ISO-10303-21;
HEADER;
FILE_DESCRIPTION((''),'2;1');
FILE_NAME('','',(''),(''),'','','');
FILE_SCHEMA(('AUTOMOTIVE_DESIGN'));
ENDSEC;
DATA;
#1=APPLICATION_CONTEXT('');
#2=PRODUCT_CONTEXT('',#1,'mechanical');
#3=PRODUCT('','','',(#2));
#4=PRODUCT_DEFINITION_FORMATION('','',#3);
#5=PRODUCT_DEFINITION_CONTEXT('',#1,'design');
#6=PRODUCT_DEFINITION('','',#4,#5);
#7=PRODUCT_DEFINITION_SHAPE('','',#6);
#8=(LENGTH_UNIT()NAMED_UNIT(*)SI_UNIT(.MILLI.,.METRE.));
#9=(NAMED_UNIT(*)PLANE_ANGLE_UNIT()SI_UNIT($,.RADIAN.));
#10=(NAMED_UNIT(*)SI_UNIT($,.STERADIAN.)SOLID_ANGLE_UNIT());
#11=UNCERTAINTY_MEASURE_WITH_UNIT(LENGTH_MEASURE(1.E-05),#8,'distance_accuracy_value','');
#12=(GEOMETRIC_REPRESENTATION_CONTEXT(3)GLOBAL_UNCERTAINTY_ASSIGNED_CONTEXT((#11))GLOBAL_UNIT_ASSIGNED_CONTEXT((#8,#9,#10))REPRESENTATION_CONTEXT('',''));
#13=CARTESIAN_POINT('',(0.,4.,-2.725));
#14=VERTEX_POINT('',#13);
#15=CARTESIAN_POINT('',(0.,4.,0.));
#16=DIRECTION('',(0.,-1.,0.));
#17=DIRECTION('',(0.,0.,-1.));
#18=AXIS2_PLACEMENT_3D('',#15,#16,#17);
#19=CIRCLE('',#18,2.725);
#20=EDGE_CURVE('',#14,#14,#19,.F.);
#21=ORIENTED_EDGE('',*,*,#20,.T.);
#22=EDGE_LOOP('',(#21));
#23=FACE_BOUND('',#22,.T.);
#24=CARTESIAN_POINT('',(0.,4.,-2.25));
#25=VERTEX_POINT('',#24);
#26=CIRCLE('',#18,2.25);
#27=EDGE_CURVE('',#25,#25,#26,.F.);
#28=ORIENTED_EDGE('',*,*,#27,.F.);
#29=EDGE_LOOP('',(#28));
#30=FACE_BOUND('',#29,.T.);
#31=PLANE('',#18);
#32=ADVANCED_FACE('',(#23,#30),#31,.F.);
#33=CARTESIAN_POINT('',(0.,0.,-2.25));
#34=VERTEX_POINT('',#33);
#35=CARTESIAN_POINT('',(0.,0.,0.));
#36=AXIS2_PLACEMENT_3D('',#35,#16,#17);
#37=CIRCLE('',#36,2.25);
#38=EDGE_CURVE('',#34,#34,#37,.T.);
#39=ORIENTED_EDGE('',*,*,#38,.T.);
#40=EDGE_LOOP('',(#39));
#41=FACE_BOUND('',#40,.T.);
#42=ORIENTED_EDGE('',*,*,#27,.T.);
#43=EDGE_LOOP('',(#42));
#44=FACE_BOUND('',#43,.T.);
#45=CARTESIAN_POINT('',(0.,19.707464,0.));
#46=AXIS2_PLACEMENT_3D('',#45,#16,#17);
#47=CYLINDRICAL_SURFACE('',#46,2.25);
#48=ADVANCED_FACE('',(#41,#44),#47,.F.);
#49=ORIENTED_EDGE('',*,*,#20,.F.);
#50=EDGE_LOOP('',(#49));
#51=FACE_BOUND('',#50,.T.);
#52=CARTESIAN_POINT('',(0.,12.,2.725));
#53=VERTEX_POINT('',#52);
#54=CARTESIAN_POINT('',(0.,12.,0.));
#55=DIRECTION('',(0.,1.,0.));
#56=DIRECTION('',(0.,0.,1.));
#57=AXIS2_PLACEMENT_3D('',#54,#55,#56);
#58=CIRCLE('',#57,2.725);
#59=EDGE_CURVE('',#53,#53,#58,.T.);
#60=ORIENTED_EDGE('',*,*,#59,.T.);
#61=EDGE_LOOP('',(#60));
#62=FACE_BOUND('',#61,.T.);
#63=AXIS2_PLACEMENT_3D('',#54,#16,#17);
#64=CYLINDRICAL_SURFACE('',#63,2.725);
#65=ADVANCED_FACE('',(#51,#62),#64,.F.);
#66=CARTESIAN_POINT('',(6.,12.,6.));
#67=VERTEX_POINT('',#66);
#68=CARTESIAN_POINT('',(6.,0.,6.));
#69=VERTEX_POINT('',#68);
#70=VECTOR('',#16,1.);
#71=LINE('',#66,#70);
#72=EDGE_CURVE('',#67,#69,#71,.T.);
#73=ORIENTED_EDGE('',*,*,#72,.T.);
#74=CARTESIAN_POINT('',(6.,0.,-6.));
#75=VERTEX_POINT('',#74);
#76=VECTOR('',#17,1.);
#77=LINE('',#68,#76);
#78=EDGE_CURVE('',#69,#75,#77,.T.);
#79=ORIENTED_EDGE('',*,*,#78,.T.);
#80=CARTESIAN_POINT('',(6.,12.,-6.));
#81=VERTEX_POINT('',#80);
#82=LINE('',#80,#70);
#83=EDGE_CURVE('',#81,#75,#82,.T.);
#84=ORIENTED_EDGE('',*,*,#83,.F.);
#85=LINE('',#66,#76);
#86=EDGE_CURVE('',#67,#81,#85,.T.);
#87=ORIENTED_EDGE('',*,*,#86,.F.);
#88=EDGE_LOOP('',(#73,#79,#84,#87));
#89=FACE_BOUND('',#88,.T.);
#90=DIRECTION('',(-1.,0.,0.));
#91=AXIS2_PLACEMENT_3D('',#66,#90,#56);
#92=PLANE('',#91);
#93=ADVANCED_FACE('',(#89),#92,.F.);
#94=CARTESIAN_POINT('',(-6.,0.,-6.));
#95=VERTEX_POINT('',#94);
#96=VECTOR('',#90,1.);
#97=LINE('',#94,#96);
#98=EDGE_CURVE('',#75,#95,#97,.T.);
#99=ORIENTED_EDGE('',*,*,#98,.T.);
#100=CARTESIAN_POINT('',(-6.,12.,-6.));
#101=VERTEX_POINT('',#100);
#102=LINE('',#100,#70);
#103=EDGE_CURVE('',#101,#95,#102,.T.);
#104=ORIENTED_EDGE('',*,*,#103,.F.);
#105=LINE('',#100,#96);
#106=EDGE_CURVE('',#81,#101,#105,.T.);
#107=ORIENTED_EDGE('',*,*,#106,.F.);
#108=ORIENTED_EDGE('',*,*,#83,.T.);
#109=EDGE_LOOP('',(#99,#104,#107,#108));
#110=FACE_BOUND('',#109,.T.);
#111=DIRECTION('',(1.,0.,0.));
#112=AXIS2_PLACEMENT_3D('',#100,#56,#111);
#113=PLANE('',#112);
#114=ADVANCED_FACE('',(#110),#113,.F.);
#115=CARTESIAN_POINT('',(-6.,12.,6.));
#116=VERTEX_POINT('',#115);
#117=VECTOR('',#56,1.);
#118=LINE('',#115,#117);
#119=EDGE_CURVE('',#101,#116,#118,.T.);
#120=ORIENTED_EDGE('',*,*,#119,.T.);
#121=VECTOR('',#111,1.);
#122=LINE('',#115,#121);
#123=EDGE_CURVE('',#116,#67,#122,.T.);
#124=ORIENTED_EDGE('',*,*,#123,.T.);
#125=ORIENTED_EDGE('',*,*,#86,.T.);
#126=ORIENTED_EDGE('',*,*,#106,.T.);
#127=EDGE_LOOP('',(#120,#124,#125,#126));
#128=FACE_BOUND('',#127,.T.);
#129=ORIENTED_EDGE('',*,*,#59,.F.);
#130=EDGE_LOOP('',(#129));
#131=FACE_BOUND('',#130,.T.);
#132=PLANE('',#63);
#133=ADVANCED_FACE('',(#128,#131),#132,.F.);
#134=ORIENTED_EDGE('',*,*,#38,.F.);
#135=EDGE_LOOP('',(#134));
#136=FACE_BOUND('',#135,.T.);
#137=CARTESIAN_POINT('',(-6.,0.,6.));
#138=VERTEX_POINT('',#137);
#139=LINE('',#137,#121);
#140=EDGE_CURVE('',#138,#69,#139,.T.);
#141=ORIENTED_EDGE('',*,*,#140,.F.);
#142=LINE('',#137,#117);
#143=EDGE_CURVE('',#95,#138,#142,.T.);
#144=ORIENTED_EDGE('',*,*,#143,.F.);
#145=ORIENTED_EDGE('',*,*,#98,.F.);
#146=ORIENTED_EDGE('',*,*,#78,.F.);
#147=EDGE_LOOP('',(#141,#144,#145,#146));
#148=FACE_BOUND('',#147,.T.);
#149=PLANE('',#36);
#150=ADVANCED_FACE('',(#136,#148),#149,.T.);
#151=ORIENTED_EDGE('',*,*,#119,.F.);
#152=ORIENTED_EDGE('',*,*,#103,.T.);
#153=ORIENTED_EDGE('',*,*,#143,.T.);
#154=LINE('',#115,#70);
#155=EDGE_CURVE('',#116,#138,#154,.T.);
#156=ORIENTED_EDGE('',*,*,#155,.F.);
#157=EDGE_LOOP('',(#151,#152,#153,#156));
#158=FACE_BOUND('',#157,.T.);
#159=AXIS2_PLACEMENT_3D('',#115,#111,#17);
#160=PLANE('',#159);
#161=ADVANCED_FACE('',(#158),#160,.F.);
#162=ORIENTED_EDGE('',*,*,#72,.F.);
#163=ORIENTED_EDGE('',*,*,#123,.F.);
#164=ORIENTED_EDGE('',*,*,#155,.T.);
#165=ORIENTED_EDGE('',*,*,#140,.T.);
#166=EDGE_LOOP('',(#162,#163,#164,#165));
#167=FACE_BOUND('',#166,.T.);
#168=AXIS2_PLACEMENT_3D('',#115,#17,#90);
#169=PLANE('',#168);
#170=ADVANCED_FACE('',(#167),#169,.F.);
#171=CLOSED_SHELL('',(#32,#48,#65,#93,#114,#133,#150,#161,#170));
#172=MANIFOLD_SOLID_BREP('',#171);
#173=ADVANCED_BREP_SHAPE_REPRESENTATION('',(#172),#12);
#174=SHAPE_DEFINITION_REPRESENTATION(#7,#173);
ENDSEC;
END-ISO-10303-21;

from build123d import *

# Parameters (mm, degrees)
SKETCH1_W           = 12
SKETCH1_H           = 12
SKETCH1_R           = 2.725
BOSS_EXTRUDE1_DEPTH = 12
SKETCH2_R           = 2.725
SKETCH2_R_2         = 2.25
BOSS_EXTRUDE2_DEPTH = 4


with BuildPart() as part:
    # Sketch1 → Boss-Extrude1 (new body)
    with BuildSketch(Plane(origin=(0, 0, 0), x_dir=(1, 0, 0), z_dir=(0, 1, 0))):
        Rectangle(SKETCH1_W, SKETCH1_H)
        Circle(SKETCH1_R, mode=Mode.SUBTRACT)
    extrude(amount=BOSS_EXTRUDE1_DEPTH)

    # Sketch2 → Boss-Extrude2 (add)
    with BuildSketch(Plane.XZ):
        Circle(SKETCH2_R)
        Circle(SKETCH2_R_2, mode=Mode.SUBTRACT)
    extrude(amount=-BOSS_EXTRUDE2_DEPTH)


solid = part.part
